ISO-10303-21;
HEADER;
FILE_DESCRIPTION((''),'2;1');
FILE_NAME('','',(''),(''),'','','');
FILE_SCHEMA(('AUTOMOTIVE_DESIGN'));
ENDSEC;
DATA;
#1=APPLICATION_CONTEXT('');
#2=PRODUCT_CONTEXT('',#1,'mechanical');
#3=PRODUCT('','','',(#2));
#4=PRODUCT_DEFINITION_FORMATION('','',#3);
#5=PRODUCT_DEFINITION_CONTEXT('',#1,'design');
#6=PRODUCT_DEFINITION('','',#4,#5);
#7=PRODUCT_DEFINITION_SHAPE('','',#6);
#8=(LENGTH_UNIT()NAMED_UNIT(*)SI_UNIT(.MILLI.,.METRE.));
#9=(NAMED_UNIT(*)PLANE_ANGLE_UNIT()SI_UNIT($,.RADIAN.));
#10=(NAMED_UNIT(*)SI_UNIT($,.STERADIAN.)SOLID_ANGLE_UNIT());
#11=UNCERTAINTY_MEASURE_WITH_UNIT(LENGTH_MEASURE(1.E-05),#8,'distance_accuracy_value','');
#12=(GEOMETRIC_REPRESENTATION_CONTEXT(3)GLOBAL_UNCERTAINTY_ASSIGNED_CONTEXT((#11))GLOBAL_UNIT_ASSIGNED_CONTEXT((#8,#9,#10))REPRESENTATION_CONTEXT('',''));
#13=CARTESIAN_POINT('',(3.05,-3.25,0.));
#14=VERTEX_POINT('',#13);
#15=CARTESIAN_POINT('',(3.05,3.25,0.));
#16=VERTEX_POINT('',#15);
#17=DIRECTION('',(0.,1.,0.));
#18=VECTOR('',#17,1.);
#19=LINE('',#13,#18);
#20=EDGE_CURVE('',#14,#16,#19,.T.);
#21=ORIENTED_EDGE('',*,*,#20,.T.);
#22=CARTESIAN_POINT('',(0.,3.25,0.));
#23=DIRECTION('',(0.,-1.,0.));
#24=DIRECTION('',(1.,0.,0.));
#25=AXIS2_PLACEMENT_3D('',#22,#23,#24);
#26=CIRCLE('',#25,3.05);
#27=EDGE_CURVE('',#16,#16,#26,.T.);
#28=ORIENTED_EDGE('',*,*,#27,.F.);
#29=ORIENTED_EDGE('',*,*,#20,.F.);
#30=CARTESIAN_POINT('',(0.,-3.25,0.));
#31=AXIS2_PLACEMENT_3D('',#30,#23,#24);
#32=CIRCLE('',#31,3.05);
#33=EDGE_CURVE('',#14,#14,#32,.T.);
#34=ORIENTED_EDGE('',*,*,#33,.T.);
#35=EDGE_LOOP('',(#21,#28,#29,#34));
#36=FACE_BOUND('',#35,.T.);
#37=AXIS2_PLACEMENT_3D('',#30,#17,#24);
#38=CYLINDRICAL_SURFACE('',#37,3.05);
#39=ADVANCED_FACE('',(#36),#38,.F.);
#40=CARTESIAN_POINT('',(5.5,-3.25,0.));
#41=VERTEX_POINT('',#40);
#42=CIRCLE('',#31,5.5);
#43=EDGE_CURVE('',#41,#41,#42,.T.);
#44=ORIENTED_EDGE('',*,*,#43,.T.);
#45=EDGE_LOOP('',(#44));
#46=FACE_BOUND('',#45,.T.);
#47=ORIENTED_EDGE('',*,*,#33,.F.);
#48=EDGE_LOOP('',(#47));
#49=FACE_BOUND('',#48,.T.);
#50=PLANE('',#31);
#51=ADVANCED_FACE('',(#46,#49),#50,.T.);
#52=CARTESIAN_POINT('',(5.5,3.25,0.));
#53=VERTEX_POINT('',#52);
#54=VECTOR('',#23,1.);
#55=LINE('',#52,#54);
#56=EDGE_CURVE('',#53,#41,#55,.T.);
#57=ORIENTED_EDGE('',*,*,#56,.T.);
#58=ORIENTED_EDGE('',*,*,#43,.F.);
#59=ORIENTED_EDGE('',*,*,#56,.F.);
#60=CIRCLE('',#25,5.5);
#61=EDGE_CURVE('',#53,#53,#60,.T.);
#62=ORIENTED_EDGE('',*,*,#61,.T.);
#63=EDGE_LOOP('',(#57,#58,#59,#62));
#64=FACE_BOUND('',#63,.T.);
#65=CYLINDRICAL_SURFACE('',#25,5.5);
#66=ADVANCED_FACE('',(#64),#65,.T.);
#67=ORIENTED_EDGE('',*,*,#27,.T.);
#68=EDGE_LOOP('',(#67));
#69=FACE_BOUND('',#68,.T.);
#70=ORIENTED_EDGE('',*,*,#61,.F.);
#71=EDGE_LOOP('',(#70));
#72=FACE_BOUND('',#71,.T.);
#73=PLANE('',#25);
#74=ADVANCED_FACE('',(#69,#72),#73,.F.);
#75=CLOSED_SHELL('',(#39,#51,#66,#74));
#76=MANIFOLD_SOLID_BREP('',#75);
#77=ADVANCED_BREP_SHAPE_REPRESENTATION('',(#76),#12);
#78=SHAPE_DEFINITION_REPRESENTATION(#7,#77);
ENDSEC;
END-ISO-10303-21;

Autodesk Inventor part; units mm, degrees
ref_plane "YZ Plane" through (0, 0, 0) normal (1, 0, 0) x (0, 1, 0)
ref_plane "XZ Plane" through (0, 0, 0) normal (0, 1, 0) x (-1, 0, 0)
ref_plane "XY Plane" through (0, 0, 0) normal (0, 0, 1) x (1, 0, 0)
sketch "スケッチ1" plane through (0, 0, 0) normal (0, 0, 1) x (1, 0, 0)
  line L0 (3.05, 3.25) -> (5.5, 3.25)
  line L1 (5.5, 3.25) -> (5.5, -3.25)
  line L2 (5.5, -3.25) -> (3.05, -3.25)
  line L3 (3.05, -3.25) -> (3.05, 3.25)
  line L4 (0, 12.2609) -> (0, -12.2609) construction
  point P0 (0, 0)
  point P1 (3.05, 0)
  point P2 (0, 0)
  dimension "d0" = 6.1
  dimension "d1" = 11
  dimension "d2" = 6.5
revolve "回転1" add sketch "スケッチ1" angle 360 about axis through (0, 12.2609, 0) along (0, -1, 0)
properties part number "付け根_サブフレーム_6_4" material "アセタール樹脂、黒"
